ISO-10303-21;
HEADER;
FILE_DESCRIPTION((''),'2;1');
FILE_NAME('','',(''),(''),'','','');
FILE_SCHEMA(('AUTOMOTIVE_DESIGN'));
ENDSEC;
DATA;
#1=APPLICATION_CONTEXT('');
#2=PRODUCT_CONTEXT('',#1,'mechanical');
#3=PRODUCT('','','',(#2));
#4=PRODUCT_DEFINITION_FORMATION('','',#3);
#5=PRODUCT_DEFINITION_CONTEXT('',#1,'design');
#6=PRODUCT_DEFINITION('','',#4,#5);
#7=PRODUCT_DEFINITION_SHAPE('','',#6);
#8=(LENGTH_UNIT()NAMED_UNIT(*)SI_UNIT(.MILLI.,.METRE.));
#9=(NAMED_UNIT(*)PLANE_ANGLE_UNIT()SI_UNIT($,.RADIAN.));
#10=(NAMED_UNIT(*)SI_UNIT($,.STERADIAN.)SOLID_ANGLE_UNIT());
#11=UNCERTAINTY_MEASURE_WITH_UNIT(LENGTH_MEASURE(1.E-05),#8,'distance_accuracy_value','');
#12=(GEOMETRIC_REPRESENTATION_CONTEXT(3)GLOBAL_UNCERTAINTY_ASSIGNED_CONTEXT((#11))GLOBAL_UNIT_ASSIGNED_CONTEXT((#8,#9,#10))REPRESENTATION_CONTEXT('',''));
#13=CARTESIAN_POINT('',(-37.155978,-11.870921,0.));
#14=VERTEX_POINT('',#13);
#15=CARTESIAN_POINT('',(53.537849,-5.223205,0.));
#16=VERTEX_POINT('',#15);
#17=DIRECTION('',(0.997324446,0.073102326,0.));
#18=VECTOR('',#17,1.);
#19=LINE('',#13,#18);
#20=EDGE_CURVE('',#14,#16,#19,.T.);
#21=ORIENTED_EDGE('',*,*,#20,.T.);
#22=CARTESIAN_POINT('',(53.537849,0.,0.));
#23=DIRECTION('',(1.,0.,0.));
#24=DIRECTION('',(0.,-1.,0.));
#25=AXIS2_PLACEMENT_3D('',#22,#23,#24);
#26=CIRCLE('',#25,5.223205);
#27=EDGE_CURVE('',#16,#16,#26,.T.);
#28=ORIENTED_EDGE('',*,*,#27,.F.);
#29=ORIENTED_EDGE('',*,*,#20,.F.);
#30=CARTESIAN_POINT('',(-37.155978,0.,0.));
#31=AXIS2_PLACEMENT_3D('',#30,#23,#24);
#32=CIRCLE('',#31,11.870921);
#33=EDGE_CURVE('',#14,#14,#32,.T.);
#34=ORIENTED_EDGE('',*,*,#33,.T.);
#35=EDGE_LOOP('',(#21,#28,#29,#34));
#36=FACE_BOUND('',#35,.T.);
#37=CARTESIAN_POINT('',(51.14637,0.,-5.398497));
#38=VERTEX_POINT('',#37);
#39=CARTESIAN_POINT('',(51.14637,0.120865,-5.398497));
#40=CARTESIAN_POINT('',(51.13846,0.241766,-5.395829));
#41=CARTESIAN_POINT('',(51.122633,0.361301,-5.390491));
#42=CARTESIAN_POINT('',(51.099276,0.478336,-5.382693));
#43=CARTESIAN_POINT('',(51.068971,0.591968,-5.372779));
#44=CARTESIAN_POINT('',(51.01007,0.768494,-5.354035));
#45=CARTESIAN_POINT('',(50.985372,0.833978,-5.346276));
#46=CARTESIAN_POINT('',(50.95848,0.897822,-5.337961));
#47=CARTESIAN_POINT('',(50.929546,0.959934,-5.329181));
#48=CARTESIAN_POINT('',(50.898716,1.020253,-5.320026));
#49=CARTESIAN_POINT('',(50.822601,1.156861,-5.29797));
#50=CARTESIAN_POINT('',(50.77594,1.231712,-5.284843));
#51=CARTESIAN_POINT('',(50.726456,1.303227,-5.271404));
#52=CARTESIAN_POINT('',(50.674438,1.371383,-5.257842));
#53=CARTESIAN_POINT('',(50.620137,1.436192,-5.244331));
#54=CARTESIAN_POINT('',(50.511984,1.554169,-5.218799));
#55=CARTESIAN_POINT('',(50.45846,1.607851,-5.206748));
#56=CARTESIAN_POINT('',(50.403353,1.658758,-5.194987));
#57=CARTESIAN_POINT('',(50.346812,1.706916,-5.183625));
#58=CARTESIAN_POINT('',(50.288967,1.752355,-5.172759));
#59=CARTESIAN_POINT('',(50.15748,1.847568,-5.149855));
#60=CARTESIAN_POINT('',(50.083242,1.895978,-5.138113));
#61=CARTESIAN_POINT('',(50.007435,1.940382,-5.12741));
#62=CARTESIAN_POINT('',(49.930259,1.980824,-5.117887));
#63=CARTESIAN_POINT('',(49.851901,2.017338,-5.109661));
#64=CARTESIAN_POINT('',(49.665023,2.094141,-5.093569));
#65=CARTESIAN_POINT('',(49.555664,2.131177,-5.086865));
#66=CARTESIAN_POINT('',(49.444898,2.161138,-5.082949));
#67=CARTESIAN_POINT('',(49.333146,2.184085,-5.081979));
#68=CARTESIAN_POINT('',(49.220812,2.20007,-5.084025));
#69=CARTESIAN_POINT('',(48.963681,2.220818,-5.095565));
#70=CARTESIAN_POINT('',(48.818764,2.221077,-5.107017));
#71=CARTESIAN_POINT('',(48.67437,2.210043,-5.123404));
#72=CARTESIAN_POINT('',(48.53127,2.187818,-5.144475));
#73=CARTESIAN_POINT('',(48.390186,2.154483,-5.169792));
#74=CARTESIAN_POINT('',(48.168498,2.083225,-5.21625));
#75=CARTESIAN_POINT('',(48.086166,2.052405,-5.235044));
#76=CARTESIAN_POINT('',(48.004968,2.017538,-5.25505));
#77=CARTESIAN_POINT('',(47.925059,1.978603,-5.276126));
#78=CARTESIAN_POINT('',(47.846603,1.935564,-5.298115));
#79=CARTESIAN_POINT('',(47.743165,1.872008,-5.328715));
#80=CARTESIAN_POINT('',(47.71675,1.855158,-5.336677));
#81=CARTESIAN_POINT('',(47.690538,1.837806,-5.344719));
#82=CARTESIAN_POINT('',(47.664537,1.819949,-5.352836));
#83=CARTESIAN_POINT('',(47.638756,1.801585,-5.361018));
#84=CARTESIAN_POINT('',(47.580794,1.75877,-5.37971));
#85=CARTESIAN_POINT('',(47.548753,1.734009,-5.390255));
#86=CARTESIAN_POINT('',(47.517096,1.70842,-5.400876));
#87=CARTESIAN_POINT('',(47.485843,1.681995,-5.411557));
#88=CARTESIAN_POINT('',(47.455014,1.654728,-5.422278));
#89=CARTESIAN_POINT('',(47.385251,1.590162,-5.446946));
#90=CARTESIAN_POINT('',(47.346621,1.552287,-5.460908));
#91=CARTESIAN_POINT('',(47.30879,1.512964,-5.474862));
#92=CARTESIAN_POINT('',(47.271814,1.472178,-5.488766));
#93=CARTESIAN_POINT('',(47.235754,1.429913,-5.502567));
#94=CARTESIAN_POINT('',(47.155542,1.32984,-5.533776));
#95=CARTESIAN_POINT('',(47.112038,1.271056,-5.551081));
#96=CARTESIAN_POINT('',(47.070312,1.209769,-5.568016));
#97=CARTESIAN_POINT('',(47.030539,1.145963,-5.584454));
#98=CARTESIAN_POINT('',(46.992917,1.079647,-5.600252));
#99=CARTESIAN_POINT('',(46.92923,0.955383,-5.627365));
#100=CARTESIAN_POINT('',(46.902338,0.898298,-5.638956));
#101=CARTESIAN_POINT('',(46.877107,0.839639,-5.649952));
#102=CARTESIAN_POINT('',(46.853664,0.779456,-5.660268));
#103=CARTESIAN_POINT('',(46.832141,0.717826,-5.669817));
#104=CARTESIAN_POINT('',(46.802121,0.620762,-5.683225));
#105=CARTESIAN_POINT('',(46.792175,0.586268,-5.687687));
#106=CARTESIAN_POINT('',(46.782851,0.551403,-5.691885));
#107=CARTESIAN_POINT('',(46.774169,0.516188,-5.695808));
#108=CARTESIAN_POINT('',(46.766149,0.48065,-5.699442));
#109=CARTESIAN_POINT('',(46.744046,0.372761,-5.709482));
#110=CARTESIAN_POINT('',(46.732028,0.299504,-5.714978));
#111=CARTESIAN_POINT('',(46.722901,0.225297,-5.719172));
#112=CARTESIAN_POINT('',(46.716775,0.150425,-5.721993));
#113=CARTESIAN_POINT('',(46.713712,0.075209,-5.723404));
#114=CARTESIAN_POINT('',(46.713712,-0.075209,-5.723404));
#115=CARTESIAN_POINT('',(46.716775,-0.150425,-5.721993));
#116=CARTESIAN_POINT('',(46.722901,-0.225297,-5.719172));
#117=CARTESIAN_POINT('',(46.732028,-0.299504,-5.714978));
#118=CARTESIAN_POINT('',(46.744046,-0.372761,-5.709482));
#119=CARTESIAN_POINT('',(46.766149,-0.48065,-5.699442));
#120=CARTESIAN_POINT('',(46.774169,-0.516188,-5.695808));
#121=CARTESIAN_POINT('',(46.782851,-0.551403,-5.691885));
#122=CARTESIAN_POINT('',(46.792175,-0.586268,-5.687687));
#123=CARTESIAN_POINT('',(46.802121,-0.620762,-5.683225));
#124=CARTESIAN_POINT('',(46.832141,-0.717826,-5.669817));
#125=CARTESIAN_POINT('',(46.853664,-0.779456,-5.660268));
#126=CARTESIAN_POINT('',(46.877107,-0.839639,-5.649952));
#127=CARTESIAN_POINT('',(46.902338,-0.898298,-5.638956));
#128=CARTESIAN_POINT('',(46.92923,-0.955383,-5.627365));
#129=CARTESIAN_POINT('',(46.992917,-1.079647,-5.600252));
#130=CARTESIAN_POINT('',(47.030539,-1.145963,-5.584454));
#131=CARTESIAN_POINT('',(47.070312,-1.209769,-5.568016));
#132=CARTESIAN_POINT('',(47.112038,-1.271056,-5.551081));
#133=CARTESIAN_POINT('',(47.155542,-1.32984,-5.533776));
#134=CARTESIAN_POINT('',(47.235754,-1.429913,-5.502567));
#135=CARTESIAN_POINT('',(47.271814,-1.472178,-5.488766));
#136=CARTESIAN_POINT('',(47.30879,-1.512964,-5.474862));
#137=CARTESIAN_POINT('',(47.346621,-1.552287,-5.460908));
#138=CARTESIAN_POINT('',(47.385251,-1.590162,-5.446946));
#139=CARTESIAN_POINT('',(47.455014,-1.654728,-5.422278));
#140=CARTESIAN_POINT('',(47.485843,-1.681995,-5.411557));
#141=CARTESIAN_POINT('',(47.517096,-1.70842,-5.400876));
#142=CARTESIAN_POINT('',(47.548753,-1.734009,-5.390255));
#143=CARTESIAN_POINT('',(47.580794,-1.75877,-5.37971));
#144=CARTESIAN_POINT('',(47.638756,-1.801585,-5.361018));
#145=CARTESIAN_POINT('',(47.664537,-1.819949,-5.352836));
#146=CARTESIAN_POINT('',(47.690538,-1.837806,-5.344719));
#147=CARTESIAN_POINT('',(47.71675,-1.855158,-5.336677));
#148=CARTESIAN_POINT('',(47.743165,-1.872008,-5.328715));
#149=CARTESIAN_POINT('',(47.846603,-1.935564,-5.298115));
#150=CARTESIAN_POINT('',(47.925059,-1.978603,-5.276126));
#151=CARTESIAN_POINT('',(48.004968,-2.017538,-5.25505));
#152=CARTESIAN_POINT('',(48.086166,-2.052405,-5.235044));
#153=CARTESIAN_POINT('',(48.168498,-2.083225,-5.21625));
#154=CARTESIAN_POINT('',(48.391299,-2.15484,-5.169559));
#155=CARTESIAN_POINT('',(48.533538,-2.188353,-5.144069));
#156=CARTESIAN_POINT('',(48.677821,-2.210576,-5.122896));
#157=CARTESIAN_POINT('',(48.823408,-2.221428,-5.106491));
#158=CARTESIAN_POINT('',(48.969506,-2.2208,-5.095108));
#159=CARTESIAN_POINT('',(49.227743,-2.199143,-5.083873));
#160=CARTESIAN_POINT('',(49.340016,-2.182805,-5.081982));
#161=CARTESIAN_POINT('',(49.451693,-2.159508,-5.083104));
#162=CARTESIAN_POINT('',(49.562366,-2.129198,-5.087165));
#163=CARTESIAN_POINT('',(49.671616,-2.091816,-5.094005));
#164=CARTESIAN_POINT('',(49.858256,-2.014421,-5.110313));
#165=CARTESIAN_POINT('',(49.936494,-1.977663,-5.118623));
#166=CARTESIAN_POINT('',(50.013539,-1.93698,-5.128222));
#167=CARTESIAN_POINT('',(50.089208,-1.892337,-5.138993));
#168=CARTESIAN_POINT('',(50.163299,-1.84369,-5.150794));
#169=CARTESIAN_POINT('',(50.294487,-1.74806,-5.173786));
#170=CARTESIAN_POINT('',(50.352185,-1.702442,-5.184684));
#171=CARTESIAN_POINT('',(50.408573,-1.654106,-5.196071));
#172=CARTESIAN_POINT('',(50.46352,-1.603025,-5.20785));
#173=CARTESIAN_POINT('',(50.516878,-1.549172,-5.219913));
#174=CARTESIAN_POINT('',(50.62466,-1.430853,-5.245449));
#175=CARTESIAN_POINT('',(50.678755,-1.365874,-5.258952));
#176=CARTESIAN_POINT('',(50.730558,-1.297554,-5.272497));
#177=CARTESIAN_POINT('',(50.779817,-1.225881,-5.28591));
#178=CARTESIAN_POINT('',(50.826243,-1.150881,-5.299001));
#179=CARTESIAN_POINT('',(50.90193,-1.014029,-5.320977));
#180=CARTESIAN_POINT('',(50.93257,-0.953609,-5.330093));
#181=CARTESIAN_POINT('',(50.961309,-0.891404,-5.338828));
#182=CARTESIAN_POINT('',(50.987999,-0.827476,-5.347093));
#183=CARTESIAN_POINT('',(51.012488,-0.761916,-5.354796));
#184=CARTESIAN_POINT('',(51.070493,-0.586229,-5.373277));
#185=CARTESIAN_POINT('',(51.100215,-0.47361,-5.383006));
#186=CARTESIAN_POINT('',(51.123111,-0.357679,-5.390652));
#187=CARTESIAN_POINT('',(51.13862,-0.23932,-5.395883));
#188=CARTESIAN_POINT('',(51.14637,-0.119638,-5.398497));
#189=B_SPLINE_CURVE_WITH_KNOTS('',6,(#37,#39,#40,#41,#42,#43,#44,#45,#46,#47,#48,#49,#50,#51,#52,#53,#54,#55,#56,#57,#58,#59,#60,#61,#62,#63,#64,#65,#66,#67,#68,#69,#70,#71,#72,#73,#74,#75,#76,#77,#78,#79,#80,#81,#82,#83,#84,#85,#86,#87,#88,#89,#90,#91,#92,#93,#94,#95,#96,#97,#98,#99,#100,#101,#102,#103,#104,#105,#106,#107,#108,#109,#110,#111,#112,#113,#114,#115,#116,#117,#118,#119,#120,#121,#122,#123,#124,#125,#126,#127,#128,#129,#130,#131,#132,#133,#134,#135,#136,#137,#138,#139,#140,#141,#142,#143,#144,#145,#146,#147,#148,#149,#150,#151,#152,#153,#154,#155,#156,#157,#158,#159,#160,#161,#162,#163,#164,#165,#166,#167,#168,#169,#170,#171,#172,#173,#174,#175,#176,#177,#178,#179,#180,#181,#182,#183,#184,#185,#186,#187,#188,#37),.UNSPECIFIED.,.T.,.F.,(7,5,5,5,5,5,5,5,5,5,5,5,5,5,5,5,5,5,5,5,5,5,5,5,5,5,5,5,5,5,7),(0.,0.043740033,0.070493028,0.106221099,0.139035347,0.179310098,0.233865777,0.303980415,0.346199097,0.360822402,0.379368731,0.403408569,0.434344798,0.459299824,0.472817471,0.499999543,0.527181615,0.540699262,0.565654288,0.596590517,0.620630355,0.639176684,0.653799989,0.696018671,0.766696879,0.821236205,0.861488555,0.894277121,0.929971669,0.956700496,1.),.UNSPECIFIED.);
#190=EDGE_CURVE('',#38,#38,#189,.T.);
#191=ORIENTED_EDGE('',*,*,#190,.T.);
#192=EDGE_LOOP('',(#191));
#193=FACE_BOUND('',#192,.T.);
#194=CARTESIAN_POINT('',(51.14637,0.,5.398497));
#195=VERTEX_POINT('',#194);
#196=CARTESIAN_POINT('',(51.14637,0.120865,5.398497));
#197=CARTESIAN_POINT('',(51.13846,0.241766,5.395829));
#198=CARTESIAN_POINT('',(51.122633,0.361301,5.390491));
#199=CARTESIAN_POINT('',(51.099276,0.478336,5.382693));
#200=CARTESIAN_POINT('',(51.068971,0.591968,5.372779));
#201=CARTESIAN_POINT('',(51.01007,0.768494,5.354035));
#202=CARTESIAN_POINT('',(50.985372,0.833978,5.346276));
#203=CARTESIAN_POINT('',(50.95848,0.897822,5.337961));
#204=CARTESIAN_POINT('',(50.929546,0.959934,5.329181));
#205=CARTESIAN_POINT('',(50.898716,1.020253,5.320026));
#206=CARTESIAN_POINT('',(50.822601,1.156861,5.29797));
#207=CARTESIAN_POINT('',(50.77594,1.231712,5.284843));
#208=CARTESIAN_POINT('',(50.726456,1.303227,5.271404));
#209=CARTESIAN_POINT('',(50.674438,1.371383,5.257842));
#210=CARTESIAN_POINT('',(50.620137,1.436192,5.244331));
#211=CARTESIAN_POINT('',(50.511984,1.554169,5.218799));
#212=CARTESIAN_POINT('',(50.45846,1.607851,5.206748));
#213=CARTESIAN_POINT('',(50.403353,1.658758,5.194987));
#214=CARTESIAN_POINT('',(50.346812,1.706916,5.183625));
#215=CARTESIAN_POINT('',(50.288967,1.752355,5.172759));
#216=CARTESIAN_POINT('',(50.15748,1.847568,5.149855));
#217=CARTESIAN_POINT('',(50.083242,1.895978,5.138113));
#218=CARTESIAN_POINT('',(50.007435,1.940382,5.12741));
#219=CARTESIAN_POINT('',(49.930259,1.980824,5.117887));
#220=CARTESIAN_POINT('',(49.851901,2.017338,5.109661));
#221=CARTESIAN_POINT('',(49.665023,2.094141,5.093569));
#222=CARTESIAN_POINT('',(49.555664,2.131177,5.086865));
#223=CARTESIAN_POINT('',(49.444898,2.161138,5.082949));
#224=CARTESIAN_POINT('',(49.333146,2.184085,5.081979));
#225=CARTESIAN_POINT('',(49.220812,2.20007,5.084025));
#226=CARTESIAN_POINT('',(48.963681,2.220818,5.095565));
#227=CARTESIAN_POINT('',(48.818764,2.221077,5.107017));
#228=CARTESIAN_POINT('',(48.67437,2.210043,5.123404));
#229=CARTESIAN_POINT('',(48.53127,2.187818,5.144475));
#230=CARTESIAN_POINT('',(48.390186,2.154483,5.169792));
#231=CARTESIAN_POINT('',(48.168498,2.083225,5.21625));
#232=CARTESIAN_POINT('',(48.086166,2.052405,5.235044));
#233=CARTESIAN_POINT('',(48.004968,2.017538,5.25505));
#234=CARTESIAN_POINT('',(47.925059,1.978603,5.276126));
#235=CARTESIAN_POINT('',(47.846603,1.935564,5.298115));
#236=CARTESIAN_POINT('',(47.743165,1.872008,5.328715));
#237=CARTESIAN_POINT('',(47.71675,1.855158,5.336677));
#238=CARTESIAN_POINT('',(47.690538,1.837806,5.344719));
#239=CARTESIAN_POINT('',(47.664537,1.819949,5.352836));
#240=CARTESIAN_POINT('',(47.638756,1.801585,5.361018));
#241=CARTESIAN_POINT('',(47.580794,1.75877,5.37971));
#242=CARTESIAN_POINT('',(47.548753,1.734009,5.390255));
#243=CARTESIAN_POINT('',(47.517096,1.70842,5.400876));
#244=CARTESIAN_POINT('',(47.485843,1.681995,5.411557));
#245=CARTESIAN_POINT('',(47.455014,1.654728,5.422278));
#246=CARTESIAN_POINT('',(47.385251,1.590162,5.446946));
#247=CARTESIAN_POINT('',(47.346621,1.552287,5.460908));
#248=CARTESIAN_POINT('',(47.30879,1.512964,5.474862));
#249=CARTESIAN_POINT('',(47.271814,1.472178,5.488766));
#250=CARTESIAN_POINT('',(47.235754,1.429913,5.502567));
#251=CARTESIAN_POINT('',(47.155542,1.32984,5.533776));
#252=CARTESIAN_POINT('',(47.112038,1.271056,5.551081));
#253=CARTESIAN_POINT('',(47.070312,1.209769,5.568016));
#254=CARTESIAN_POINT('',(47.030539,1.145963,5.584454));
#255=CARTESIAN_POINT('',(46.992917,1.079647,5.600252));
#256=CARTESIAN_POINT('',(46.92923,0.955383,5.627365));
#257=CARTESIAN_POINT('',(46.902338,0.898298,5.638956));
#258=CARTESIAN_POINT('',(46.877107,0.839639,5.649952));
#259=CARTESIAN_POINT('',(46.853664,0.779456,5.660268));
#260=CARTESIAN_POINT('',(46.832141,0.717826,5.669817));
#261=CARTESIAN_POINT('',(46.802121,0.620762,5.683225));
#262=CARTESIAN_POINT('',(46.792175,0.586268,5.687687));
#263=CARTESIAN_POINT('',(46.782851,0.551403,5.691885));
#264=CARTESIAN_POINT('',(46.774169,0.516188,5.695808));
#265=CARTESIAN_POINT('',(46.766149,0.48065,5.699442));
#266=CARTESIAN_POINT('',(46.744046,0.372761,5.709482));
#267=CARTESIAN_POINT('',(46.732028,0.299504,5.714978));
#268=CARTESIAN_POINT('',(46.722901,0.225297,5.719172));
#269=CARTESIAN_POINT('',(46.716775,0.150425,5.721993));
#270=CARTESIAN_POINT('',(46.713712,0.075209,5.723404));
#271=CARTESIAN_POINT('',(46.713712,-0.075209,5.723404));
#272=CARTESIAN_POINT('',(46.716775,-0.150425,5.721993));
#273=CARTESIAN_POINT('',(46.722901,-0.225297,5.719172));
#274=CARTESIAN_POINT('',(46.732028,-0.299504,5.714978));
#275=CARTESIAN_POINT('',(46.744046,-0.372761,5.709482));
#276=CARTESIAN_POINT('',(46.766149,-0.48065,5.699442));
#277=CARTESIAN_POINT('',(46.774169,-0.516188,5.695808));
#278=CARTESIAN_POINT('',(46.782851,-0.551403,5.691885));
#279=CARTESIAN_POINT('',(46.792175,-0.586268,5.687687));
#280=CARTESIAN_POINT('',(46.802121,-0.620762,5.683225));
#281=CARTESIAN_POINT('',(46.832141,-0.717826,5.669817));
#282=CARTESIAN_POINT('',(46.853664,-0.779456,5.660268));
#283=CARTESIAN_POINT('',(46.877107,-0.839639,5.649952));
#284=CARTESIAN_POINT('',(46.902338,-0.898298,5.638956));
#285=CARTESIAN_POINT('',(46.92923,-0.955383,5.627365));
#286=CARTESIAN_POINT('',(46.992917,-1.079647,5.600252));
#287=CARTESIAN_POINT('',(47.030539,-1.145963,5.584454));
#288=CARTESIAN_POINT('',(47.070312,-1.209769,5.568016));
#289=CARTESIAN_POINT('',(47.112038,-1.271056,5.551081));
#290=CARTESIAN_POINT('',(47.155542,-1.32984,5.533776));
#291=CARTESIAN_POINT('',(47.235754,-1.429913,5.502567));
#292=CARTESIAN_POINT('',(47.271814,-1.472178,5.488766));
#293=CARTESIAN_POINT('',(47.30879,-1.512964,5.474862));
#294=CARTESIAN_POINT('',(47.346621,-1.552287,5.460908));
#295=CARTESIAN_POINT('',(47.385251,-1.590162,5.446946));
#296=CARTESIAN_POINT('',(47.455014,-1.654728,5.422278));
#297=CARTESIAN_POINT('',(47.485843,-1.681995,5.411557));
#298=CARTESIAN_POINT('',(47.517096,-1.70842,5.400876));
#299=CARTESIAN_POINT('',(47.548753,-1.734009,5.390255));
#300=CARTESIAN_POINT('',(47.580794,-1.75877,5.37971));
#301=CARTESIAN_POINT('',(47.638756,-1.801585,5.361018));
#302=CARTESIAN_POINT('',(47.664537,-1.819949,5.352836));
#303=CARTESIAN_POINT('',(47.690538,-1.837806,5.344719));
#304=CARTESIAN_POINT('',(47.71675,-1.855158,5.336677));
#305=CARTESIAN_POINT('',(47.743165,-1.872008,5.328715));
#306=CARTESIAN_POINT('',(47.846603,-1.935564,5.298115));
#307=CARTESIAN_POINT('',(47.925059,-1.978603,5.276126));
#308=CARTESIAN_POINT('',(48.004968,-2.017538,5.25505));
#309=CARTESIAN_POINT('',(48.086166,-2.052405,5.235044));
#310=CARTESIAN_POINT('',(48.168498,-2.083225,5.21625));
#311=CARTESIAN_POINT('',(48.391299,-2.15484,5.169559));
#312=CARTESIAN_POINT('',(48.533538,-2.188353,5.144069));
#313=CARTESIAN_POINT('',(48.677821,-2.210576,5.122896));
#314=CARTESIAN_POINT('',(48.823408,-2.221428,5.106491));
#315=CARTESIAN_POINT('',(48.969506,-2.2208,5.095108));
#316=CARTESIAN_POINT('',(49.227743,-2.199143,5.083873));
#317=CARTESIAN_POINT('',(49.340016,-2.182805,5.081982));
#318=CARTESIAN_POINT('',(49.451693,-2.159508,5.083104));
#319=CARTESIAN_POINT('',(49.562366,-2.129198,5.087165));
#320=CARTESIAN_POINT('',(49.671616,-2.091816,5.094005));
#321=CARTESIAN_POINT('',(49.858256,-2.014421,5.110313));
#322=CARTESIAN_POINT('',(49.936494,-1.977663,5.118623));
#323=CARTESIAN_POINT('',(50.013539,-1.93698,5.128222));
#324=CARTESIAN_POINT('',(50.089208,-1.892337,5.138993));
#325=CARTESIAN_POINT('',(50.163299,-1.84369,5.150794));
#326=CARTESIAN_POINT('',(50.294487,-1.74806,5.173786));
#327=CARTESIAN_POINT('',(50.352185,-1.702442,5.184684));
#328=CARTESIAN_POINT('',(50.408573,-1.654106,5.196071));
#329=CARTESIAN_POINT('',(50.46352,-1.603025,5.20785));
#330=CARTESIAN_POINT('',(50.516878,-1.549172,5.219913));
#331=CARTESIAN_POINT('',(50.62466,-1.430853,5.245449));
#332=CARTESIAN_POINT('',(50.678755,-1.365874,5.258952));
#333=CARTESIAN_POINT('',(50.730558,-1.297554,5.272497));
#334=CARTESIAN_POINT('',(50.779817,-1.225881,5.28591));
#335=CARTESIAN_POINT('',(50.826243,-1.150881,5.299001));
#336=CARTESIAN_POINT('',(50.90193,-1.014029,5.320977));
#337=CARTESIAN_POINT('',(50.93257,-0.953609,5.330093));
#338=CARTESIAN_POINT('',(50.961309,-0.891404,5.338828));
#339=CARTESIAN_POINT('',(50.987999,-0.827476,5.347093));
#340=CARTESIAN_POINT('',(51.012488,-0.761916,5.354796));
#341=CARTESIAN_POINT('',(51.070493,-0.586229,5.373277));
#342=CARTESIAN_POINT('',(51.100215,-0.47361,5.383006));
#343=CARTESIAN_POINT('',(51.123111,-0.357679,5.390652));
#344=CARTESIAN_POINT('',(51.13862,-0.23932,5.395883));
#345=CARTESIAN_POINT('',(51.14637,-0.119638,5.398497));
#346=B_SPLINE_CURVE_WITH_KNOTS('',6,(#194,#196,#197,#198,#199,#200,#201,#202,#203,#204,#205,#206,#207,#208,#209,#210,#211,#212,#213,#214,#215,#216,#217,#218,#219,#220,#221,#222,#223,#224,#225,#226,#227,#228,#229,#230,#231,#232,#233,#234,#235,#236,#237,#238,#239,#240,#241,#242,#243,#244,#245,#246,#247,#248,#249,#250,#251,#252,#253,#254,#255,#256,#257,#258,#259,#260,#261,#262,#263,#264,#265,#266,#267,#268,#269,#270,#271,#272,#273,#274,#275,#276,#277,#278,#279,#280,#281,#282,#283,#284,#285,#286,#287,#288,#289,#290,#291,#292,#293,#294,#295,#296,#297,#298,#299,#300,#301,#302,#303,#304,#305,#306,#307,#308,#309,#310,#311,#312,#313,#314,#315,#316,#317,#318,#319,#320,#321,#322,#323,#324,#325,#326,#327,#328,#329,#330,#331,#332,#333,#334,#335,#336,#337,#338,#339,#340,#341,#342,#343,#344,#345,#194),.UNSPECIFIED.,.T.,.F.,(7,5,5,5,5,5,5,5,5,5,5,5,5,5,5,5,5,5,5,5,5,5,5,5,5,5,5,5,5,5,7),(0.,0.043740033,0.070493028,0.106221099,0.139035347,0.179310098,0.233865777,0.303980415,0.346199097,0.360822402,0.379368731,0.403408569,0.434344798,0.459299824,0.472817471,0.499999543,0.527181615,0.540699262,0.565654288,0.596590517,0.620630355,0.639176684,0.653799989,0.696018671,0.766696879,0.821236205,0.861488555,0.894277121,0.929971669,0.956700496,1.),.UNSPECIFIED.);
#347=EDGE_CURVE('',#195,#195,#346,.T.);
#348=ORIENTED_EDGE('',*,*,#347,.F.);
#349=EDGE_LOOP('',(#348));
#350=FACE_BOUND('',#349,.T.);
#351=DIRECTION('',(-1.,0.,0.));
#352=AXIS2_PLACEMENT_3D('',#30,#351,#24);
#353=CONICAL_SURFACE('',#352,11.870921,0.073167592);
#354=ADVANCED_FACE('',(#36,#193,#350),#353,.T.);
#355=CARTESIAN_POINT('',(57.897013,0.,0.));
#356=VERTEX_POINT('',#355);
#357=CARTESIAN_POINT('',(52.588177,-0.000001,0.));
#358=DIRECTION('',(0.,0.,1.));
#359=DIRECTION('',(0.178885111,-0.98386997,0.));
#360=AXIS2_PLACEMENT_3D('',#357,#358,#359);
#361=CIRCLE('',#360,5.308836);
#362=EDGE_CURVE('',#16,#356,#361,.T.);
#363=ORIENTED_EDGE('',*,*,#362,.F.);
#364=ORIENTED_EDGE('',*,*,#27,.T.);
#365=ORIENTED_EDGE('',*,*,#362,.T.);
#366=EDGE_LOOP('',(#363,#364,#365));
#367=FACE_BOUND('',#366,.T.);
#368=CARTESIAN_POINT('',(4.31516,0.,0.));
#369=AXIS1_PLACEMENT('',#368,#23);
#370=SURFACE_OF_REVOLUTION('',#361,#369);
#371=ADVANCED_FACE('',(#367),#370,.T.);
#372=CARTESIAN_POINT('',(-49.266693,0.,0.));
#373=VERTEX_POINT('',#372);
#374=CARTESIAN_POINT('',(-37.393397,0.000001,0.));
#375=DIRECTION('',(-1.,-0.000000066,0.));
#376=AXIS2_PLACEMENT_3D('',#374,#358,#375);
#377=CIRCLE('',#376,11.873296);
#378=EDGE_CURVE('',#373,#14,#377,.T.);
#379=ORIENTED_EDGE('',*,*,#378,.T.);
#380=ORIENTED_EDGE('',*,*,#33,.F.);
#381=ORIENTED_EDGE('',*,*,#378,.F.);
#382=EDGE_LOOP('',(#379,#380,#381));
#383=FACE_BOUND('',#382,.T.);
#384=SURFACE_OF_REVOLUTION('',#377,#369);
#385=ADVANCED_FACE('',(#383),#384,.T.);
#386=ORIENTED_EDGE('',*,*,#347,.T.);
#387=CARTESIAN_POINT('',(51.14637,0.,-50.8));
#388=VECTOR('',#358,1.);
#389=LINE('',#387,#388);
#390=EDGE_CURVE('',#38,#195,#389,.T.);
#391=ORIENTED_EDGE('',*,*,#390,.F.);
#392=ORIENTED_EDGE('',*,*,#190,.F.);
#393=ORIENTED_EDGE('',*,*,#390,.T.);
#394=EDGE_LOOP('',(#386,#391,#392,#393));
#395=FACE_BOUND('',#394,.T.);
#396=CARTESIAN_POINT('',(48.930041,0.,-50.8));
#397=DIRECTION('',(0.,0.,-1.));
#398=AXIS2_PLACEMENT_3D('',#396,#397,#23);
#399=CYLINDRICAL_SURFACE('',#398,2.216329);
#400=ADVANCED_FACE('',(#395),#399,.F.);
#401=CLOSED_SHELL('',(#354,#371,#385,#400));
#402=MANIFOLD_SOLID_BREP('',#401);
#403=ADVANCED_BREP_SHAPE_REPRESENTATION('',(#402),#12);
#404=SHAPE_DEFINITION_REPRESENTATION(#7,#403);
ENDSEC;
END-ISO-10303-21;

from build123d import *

# Parameters (mm, degrees)
F3_R     = 2.216329
F4_DEPTH = 62.674295


with BuildPart() as f1:
    # F0 (on Top) → F1 (revolve)
    with BuildSketch(Plane.XY):
        with BuildLine():
            Line((57.897013, 0), (-49.266693, 0))
            ThreePointArc((-49.266693, 0), (-45.704721, -8.479212), (-37.155978, -11.870921))
            Line((-37.155978, -11.870921), (53.537849, -5.223205))
            ThreePointArc((53.537849, -5.223205), (56.664045, -3.401624), (57.897013, 0))
        make_face()
    revolve(axis=Axis((4.31516, 0, 0), (1, 0, 0)))

    # F3 (on offset) → F4 (cut, through all)
    with BuildSketch(Plane.XY.offset(-50.8)):
        with Locations((48.930041, 0)):
            Circle(F3_R)
    extrude(amount=F4_DEPTH, mode=Mode.SUBTRACT)


solid = f1.part
